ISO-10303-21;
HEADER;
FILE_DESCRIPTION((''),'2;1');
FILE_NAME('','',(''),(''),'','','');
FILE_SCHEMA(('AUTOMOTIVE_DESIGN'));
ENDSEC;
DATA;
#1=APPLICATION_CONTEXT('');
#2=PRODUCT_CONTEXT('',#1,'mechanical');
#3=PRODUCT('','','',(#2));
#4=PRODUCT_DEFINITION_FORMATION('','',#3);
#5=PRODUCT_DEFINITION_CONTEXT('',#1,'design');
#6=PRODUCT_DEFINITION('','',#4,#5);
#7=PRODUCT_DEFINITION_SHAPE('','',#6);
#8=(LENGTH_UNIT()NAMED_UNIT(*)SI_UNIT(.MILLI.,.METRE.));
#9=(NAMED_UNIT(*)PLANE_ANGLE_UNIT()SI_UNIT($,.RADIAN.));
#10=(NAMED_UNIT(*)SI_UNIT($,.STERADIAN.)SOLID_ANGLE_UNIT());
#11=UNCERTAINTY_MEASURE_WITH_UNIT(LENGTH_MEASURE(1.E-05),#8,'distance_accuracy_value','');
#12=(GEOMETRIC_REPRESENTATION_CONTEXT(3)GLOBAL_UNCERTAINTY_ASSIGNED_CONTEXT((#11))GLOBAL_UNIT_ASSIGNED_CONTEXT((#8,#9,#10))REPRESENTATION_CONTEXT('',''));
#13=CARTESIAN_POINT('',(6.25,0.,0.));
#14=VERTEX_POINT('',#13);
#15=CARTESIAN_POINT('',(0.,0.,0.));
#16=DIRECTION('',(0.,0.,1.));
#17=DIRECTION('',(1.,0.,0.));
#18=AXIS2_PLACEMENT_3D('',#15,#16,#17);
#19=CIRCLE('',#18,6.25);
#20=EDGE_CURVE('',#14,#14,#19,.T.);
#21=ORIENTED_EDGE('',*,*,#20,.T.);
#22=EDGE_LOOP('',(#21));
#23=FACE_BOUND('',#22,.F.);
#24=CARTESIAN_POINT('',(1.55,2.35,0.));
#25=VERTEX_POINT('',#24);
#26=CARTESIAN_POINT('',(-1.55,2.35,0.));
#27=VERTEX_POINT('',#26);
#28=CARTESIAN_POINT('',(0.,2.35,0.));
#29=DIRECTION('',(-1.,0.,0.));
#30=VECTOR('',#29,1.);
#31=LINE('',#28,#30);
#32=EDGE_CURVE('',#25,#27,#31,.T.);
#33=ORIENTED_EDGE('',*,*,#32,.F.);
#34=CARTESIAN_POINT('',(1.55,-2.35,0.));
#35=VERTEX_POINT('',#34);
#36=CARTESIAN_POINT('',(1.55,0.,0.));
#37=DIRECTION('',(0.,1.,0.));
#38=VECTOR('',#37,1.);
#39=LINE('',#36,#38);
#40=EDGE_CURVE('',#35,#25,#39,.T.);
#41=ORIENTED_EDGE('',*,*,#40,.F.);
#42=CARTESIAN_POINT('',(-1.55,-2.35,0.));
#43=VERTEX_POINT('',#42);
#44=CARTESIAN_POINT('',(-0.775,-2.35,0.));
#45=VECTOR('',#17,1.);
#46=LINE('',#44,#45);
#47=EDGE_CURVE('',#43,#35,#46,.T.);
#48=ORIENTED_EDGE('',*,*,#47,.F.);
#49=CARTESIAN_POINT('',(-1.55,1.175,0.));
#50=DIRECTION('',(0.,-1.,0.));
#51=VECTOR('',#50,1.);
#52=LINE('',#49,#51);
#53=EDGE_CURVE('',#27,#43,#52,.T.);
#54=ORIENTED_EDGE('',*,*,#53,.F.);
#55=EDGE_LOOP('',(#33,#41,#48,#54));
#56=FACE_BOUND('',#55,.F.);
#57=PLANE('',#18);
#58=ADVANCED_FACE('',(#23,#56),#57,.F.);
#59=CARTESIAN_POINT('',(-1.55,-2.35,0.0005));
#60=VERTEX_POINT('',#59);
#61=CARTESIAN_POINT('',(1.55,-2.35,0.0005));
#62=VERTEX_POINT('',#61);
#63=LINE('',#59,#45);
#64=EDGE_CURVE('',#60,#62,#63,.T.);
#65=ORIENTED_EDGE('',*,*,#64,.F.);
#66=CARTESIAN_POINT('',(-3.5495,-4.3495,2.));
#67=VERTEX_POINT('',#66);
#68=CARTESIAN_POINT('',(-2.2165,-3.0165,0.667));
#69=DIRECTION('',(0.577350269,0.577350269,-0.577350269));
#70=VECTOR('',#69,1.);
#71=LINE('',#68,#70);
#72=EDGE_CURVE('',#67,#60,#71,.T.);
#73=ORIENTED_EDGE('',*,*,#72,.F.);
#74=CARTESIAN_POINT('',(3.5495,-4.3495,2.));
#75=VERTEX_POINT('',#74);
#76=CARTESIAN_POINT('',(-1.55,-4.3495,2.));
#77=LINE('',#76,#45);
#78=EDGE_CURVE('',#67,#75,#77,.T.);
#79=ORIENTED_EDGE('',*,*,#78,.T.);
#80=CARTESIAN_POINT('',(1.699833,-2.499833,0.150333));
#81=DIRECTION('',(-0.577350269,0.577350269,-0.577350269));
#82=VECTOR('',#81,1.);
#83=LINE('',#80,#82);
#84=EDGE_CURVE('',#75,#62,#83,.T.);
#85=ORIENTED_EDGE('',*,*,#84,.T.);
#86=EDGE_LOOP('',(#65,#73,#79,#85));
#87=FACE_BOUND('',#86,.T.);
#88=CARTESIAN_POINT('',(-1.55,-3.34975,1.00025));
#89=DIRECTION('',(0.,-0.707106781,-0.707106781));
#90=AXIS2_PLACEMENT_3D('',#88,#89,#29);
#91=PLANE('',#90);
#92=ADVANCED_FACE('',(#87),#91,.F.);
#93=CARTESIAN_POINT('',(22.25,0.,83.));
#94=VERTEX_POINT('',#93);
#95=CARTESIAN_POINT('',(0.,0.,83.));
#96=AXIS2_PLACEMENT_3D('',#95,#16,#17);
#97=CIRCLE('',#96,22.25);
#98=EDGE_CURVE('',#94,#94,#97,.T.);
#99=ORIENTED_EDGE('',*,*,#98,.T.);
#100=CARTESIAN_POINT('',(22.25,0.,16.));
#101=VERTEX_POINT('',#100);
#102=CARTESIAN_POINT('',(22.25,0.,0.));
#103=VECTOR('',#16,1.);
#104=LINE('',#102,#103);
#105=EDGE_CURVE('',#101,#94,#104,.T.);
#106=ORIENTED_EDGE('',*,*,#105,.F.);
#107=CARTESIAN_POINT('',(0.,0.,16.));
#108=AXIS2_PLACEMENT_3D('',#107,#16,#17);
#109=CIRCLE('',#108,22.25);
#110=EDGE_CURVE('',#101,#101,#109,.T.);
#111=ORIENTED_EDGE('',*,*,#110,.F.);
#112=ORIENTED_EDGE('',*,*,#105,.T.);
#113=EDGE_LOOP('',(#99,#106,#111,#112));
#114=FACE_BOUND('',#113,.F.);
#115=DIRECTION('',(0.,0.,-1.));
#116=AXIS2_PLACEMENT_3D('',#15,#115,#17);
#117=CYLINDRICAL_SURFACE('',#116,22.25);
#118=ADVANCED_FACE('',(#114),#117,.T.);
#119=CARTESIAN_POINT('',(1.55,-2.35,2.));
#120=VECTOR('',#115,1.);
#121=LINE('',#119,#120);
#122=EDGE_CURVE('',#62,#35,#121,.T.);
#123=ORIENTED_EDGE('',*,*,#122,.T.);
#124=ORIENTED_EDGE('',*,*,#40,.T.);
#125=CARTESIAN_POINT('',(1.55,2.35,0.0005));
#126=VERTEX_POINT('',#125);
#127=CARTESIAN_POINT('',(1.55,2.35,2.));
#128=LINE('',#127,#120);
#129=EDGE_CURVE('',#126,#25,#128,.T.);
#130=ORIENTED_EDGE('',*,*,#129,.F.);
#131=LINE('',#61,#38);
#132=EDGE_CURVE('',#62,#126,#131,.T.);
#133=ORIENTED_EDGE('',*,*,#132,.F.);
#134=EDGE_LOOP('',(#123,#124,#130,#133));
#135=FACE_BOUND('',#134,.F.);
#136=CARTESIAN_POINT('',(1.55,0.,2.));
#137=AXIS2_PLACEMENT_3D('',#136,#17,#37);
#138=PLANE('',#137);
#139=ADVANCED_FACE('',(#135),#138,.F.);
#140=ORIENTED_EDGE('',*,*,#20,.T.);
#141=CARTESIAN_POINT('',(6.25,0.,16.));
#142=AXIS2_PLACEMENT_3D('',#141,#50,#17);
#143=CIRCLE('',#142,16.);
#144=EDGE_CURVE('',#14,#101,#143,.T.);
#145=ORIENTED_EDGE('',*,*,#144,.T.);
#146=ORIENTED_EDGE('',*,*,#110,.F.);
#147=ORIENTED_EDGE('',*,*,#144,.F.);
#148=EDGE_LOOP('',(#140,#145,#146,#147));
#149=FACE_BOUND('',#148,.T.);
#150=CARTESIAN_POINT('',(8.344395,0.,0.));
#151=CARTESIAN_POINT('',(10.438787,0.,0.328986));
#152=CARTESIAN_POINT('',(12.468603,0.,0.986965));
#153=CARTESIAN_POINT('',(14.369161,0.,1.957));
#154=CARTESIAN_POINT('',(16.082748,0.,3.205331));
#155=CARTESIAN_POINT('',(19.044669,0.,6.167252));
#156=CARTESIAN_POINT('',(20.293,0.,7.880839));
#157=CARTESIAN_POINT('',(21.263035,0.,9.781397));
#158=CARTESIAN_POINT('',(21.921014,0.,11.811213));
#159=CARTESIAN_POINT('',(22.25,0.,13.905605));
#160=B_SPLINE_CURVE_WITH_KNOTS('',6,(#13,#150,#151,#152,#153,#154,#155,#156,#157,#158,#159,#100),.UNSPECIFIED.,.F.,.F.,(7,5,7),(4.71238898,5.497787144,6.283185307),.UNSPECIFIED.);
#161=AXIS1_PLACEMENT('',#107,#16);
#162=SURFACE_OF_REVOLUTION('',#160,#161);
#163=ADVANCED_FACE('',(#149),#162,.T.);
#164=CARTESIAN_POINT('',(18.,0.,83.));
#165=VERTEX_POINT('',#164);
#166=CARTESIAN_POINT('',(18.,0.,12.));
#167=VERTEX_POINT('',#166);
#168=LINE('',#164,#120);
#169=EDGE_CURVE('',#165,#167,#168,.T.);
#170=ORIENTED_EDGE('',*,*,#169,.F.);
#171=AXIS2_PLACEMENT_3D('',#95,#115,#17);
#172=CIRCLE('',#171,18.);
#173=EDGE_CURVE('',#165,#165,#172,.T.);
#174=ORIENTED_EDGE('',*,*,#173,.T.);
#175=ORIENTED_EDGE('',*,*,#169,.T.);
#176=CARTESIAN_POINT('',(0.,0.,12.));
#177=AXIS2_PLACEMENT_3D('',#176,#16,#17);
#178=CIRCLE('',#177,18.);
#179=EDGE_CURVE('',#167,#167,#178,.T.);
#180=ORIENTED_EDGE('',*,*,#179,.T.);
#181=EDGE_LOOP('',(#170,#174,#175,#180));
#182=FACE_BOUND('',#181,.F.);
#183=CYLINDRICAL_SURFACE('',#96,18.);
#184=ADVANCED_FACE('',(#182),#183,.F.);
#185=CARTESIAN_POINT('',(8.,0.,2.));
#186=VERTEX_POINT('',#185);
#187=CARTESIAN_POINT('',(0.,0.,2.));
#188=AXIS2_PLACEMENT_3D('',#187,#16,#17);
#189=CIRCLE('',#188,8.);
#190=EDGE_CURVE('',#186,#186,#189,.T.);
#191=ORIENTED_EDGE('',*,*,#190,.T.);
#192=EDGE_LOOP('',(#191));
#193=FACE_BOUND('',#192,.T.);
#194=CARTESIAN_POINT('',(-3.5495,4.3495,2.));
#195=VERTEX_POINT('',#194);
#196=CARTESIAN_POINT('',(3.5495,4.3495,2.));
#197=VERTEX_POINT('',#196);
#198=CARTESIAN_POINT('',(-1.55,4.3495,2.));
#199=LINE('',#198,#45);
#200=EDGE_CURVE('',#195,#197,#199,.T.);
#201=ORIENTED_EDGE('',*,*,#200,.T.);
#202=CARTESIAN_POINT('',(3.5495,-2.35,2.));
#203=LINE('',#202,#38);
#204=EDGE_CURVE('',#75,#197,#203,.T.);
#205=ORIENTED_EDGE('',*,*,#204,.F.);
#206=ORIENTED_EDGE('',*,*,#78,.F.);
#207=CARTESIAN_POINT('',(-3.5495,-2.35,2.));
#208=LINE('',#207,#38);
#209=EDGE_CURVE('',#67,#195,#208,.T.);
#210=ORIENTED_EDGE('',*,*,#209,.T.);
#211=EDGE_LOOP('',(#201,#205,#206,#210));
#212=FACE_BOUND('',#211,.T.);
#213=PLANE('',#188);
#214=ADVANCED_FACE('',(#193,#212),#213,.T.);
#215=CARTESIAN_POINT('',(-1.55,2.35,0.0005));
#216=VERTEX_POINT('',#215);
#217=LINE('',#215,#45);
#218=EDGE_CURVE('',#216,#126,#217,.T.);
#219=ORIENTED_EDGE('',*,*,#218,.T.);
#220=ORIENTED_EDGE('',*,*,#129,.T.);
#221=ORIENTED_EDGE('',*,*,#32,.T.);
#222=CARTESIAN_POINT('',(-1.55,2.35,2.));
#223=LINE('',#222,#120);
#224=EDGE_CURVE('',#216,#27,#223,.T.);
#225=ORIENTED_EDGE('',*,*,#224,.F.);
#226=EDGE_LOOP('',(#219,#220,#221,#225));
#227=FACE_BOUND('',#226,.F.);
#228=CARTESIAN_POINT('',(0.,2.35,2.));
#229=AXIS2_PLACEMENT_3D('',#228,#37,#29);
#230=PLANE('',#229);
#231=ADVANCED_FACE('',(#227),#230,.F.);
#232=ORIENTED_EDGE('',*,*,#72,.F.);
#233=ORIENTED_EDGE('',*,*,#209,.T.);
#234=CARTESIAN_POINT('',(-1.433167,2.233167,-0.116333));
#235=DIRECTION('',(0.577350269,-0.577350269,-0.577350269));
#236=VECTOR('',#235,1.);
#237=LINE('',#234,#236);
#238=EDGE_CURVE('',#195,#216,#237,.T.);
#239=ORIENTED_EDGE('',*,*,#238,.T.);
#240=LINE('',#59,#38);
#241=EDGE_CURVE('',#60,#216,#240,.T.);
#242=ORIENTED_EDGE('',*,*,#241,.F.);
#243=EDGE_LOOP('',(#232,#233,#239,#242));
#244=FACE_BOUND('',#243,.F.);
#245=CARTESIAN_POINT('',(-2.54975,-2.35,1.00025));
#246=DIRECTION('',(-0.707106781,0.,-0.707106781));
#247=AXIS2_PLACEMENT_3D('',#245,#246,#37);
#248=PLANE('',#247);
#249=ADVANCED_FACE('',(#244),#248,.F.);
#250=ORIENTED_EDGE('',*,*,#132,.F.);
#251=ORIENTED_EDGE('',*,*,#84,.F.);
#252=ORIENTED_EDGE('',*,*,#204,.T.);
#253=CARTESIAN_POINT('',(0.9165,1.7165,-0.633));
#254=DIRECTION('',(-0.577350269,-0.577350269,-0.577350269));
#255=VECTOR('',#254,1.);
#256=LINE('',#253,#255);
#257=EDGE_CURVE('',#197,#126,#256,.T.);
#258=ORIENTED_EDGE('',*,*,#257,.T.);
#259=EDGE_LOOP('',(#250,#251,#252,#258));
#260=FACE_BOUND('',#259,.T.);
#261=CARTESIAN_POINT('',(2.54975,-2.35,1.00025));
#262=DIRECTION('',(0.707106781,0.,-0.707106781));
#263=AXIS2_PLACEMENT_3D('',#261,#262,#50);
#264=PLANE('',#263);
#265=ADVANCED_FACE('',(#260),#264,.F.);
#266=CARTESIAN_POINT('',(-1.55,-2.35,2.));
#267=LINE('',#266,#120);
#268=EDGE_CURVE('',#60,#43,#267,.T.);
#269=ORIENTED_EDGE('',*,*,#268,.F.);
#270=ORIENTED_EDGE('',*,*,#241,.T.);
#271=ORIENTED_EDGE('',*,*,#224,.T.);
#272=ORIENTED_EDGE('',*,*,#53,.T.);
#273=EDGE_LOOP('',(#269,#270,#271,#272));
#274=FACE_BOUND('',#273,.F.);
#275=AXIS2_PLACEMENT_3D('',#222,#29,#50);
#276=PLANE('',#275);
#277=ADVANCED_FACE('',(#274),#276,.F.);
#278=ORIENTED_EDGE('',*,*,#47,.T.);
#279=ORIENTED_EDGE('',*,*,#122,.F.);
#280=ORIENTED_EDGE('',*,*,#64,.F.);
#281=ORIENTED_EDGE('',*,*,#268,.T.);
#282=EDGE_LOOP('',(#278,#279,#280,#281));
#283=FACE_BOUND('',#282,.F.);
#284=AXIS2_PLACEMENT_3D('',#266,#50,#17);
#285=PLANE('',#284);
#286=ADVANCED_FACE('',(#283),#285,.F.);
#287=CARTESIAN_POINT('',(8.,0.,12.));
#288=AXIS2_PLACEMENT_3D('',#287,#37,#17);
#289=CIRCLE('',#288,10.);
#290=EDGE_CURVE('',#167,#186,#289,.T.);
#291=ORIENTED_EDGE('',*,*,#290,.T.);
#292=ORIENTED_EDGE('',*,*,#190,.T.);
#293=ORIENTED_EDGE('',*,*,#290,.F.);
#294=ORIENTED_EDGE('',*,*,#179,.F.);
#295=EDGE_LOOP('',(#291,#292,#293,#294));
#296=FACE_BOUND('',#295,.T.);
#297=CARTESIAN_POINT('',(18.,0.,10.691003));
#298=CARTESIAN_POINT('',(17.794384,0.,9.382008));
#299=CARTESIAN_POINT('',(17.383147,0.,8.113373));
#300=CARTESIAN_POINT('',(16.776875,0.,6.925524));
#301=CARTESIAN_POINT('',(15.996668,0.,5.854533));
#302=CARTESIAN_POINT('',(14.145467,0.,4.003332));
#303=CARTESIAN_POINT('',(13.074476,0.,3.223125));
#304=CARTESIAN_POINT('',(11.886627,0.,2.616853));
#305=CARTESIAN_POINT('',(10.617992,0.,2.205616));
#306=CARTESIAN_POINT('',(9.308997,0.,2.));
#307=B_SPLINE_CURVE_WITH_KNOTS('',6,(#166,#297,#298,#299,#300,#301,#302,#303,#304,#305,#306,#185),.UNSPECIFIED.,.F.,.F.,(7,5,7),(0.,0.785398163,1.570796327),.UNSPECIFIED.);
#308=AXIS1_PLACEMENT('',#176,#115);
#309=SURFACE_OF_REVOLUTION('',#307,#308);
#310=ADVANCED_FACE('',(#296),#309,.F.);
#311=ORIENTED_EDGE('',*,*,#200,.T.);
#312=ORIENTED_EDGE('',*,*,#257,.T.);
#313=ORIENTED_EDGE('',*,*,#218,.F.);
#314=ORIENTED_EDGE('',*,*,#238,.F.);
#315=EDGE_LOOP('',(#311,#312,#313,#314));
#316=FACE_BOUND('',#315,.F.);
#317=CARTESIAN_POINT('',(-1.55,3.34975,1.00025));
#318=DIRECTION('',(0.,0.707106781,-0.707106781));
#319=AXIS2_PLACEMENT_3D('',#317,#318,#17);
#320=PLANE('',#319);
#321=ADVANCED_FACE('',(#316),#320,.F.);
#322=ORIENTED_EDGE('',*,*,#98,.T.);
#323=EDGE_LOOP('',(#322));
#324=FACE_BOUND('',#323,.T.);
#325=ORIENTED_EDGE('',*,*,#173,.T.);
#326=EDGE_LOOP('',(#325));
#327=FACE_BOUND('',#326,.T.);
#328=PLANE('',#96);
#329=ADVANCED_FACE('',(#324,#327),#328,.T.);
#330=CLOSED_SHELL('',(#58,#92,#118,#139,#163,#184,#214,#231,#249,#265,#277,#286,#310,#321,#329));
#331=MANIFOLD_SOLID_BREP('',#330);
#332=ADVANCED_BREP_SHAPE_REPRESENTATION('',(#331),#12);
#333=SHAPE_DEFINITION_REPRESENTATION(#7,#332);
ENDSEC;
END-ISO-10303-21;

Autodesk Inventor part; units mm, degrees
ref_plane "YZ Plane" through (0, 0, 0) normal (1, 0, 0) x (0, 1, 0)
ref_plane "XZ Plane" through (0, 0, 0) normal (0, 1, 0) x (-1, 0, 0)
ref_plane "XY Plane" through (0, 0, 0) normal (0, 0, 1) x (1, 0, 0)
sketch "Sketch2" plane through (0, 0, 0) normal (0, 0, 1) x (1, 0, 0)
  circle A0 centre (0, 0) radius 22.25
  dimension "d2" = 44.5
extrude "Extrusion1" add sketch "Sketch2" along normal blind 83
sketch "Sketch9" plane through (0, 0, 83) normal (0, 0, 1) x (1, 0, 0)
  circle A0 centre (0, 0) radius 22.25 projected
  line L0 (-31.15, 0) -> (31.15, 0) projected
  line L1 (0, -31.15) -> (0, 31.15) projected
  circle A1 centre (0, 0) radius 18
  dimension "d54" = 36
extrude "Extrusion7" cut sketch "Sketch9" against normal blind 81 contours A1 L1 L0 | L0 L1 A1 | L1 L0 A1 | A1 L0 L1
fillet "Fillet12" radius 10 1 edges at (-18, 0, 2)
sketch "Sketch18" plane through (0, 0, 2) normal (0, 0, 1) x (1, 0, 0)
  line L0 (-31.15, 0) -> (31.15, 0) projected
  line L1 (0, -31.15) -> (0, 31.15) projected
  line L2 (1.55, 2.35) -> (-1.55, 2.35)
  line L3 (-1.55, 2.35) -> (-1.55, -2.35)
  line L4 (-1.55, -2.35) -> (1.55, -2.35)
  line L5 (1.55, -2.35) -> (1.55, 2.35)
  line L6 (1.55, 2.35) -> (-1.55, -2.35) construction
  line L7 (-1.55, 2.35) -> (1.55, -2.35) construction
  point P0 (0, 0)
  dimension "d122" = 3.1
  dimension "d123" = 4.7
extrude "Extrusion15" cut sketch "Sketch18" against normal through all
chamfer "Chamfer8" distance 2 angle 45 4 edges at (1.55, 0, 2) (0, 2.35, 2) (0, -2.35, 2) (-1.55, 0, 2)
fillet "Fillet13" radius 16 1 edges at (-22.25, 0, 0)
equation "\"BendRadius\" = Thickness"
equation "\"BendReliefWidth\" = Thickness"
equation "\"BendReliefDepth\" = 0.5 * Thickness"
equation "\"CornerReliefSize\" = 4 * Thickness"
equation "\"MinimumRemnant\" = 2 * Thickness"
equation "\"TransitionRadius\" = BendRadius"
equation "\"JacobiRadiusSize\" = BendRadius"
equation "\"GapSize\" = Thickness"
equation "\"Thickness\" = 3.048"
properties part number "_3DPrint"
